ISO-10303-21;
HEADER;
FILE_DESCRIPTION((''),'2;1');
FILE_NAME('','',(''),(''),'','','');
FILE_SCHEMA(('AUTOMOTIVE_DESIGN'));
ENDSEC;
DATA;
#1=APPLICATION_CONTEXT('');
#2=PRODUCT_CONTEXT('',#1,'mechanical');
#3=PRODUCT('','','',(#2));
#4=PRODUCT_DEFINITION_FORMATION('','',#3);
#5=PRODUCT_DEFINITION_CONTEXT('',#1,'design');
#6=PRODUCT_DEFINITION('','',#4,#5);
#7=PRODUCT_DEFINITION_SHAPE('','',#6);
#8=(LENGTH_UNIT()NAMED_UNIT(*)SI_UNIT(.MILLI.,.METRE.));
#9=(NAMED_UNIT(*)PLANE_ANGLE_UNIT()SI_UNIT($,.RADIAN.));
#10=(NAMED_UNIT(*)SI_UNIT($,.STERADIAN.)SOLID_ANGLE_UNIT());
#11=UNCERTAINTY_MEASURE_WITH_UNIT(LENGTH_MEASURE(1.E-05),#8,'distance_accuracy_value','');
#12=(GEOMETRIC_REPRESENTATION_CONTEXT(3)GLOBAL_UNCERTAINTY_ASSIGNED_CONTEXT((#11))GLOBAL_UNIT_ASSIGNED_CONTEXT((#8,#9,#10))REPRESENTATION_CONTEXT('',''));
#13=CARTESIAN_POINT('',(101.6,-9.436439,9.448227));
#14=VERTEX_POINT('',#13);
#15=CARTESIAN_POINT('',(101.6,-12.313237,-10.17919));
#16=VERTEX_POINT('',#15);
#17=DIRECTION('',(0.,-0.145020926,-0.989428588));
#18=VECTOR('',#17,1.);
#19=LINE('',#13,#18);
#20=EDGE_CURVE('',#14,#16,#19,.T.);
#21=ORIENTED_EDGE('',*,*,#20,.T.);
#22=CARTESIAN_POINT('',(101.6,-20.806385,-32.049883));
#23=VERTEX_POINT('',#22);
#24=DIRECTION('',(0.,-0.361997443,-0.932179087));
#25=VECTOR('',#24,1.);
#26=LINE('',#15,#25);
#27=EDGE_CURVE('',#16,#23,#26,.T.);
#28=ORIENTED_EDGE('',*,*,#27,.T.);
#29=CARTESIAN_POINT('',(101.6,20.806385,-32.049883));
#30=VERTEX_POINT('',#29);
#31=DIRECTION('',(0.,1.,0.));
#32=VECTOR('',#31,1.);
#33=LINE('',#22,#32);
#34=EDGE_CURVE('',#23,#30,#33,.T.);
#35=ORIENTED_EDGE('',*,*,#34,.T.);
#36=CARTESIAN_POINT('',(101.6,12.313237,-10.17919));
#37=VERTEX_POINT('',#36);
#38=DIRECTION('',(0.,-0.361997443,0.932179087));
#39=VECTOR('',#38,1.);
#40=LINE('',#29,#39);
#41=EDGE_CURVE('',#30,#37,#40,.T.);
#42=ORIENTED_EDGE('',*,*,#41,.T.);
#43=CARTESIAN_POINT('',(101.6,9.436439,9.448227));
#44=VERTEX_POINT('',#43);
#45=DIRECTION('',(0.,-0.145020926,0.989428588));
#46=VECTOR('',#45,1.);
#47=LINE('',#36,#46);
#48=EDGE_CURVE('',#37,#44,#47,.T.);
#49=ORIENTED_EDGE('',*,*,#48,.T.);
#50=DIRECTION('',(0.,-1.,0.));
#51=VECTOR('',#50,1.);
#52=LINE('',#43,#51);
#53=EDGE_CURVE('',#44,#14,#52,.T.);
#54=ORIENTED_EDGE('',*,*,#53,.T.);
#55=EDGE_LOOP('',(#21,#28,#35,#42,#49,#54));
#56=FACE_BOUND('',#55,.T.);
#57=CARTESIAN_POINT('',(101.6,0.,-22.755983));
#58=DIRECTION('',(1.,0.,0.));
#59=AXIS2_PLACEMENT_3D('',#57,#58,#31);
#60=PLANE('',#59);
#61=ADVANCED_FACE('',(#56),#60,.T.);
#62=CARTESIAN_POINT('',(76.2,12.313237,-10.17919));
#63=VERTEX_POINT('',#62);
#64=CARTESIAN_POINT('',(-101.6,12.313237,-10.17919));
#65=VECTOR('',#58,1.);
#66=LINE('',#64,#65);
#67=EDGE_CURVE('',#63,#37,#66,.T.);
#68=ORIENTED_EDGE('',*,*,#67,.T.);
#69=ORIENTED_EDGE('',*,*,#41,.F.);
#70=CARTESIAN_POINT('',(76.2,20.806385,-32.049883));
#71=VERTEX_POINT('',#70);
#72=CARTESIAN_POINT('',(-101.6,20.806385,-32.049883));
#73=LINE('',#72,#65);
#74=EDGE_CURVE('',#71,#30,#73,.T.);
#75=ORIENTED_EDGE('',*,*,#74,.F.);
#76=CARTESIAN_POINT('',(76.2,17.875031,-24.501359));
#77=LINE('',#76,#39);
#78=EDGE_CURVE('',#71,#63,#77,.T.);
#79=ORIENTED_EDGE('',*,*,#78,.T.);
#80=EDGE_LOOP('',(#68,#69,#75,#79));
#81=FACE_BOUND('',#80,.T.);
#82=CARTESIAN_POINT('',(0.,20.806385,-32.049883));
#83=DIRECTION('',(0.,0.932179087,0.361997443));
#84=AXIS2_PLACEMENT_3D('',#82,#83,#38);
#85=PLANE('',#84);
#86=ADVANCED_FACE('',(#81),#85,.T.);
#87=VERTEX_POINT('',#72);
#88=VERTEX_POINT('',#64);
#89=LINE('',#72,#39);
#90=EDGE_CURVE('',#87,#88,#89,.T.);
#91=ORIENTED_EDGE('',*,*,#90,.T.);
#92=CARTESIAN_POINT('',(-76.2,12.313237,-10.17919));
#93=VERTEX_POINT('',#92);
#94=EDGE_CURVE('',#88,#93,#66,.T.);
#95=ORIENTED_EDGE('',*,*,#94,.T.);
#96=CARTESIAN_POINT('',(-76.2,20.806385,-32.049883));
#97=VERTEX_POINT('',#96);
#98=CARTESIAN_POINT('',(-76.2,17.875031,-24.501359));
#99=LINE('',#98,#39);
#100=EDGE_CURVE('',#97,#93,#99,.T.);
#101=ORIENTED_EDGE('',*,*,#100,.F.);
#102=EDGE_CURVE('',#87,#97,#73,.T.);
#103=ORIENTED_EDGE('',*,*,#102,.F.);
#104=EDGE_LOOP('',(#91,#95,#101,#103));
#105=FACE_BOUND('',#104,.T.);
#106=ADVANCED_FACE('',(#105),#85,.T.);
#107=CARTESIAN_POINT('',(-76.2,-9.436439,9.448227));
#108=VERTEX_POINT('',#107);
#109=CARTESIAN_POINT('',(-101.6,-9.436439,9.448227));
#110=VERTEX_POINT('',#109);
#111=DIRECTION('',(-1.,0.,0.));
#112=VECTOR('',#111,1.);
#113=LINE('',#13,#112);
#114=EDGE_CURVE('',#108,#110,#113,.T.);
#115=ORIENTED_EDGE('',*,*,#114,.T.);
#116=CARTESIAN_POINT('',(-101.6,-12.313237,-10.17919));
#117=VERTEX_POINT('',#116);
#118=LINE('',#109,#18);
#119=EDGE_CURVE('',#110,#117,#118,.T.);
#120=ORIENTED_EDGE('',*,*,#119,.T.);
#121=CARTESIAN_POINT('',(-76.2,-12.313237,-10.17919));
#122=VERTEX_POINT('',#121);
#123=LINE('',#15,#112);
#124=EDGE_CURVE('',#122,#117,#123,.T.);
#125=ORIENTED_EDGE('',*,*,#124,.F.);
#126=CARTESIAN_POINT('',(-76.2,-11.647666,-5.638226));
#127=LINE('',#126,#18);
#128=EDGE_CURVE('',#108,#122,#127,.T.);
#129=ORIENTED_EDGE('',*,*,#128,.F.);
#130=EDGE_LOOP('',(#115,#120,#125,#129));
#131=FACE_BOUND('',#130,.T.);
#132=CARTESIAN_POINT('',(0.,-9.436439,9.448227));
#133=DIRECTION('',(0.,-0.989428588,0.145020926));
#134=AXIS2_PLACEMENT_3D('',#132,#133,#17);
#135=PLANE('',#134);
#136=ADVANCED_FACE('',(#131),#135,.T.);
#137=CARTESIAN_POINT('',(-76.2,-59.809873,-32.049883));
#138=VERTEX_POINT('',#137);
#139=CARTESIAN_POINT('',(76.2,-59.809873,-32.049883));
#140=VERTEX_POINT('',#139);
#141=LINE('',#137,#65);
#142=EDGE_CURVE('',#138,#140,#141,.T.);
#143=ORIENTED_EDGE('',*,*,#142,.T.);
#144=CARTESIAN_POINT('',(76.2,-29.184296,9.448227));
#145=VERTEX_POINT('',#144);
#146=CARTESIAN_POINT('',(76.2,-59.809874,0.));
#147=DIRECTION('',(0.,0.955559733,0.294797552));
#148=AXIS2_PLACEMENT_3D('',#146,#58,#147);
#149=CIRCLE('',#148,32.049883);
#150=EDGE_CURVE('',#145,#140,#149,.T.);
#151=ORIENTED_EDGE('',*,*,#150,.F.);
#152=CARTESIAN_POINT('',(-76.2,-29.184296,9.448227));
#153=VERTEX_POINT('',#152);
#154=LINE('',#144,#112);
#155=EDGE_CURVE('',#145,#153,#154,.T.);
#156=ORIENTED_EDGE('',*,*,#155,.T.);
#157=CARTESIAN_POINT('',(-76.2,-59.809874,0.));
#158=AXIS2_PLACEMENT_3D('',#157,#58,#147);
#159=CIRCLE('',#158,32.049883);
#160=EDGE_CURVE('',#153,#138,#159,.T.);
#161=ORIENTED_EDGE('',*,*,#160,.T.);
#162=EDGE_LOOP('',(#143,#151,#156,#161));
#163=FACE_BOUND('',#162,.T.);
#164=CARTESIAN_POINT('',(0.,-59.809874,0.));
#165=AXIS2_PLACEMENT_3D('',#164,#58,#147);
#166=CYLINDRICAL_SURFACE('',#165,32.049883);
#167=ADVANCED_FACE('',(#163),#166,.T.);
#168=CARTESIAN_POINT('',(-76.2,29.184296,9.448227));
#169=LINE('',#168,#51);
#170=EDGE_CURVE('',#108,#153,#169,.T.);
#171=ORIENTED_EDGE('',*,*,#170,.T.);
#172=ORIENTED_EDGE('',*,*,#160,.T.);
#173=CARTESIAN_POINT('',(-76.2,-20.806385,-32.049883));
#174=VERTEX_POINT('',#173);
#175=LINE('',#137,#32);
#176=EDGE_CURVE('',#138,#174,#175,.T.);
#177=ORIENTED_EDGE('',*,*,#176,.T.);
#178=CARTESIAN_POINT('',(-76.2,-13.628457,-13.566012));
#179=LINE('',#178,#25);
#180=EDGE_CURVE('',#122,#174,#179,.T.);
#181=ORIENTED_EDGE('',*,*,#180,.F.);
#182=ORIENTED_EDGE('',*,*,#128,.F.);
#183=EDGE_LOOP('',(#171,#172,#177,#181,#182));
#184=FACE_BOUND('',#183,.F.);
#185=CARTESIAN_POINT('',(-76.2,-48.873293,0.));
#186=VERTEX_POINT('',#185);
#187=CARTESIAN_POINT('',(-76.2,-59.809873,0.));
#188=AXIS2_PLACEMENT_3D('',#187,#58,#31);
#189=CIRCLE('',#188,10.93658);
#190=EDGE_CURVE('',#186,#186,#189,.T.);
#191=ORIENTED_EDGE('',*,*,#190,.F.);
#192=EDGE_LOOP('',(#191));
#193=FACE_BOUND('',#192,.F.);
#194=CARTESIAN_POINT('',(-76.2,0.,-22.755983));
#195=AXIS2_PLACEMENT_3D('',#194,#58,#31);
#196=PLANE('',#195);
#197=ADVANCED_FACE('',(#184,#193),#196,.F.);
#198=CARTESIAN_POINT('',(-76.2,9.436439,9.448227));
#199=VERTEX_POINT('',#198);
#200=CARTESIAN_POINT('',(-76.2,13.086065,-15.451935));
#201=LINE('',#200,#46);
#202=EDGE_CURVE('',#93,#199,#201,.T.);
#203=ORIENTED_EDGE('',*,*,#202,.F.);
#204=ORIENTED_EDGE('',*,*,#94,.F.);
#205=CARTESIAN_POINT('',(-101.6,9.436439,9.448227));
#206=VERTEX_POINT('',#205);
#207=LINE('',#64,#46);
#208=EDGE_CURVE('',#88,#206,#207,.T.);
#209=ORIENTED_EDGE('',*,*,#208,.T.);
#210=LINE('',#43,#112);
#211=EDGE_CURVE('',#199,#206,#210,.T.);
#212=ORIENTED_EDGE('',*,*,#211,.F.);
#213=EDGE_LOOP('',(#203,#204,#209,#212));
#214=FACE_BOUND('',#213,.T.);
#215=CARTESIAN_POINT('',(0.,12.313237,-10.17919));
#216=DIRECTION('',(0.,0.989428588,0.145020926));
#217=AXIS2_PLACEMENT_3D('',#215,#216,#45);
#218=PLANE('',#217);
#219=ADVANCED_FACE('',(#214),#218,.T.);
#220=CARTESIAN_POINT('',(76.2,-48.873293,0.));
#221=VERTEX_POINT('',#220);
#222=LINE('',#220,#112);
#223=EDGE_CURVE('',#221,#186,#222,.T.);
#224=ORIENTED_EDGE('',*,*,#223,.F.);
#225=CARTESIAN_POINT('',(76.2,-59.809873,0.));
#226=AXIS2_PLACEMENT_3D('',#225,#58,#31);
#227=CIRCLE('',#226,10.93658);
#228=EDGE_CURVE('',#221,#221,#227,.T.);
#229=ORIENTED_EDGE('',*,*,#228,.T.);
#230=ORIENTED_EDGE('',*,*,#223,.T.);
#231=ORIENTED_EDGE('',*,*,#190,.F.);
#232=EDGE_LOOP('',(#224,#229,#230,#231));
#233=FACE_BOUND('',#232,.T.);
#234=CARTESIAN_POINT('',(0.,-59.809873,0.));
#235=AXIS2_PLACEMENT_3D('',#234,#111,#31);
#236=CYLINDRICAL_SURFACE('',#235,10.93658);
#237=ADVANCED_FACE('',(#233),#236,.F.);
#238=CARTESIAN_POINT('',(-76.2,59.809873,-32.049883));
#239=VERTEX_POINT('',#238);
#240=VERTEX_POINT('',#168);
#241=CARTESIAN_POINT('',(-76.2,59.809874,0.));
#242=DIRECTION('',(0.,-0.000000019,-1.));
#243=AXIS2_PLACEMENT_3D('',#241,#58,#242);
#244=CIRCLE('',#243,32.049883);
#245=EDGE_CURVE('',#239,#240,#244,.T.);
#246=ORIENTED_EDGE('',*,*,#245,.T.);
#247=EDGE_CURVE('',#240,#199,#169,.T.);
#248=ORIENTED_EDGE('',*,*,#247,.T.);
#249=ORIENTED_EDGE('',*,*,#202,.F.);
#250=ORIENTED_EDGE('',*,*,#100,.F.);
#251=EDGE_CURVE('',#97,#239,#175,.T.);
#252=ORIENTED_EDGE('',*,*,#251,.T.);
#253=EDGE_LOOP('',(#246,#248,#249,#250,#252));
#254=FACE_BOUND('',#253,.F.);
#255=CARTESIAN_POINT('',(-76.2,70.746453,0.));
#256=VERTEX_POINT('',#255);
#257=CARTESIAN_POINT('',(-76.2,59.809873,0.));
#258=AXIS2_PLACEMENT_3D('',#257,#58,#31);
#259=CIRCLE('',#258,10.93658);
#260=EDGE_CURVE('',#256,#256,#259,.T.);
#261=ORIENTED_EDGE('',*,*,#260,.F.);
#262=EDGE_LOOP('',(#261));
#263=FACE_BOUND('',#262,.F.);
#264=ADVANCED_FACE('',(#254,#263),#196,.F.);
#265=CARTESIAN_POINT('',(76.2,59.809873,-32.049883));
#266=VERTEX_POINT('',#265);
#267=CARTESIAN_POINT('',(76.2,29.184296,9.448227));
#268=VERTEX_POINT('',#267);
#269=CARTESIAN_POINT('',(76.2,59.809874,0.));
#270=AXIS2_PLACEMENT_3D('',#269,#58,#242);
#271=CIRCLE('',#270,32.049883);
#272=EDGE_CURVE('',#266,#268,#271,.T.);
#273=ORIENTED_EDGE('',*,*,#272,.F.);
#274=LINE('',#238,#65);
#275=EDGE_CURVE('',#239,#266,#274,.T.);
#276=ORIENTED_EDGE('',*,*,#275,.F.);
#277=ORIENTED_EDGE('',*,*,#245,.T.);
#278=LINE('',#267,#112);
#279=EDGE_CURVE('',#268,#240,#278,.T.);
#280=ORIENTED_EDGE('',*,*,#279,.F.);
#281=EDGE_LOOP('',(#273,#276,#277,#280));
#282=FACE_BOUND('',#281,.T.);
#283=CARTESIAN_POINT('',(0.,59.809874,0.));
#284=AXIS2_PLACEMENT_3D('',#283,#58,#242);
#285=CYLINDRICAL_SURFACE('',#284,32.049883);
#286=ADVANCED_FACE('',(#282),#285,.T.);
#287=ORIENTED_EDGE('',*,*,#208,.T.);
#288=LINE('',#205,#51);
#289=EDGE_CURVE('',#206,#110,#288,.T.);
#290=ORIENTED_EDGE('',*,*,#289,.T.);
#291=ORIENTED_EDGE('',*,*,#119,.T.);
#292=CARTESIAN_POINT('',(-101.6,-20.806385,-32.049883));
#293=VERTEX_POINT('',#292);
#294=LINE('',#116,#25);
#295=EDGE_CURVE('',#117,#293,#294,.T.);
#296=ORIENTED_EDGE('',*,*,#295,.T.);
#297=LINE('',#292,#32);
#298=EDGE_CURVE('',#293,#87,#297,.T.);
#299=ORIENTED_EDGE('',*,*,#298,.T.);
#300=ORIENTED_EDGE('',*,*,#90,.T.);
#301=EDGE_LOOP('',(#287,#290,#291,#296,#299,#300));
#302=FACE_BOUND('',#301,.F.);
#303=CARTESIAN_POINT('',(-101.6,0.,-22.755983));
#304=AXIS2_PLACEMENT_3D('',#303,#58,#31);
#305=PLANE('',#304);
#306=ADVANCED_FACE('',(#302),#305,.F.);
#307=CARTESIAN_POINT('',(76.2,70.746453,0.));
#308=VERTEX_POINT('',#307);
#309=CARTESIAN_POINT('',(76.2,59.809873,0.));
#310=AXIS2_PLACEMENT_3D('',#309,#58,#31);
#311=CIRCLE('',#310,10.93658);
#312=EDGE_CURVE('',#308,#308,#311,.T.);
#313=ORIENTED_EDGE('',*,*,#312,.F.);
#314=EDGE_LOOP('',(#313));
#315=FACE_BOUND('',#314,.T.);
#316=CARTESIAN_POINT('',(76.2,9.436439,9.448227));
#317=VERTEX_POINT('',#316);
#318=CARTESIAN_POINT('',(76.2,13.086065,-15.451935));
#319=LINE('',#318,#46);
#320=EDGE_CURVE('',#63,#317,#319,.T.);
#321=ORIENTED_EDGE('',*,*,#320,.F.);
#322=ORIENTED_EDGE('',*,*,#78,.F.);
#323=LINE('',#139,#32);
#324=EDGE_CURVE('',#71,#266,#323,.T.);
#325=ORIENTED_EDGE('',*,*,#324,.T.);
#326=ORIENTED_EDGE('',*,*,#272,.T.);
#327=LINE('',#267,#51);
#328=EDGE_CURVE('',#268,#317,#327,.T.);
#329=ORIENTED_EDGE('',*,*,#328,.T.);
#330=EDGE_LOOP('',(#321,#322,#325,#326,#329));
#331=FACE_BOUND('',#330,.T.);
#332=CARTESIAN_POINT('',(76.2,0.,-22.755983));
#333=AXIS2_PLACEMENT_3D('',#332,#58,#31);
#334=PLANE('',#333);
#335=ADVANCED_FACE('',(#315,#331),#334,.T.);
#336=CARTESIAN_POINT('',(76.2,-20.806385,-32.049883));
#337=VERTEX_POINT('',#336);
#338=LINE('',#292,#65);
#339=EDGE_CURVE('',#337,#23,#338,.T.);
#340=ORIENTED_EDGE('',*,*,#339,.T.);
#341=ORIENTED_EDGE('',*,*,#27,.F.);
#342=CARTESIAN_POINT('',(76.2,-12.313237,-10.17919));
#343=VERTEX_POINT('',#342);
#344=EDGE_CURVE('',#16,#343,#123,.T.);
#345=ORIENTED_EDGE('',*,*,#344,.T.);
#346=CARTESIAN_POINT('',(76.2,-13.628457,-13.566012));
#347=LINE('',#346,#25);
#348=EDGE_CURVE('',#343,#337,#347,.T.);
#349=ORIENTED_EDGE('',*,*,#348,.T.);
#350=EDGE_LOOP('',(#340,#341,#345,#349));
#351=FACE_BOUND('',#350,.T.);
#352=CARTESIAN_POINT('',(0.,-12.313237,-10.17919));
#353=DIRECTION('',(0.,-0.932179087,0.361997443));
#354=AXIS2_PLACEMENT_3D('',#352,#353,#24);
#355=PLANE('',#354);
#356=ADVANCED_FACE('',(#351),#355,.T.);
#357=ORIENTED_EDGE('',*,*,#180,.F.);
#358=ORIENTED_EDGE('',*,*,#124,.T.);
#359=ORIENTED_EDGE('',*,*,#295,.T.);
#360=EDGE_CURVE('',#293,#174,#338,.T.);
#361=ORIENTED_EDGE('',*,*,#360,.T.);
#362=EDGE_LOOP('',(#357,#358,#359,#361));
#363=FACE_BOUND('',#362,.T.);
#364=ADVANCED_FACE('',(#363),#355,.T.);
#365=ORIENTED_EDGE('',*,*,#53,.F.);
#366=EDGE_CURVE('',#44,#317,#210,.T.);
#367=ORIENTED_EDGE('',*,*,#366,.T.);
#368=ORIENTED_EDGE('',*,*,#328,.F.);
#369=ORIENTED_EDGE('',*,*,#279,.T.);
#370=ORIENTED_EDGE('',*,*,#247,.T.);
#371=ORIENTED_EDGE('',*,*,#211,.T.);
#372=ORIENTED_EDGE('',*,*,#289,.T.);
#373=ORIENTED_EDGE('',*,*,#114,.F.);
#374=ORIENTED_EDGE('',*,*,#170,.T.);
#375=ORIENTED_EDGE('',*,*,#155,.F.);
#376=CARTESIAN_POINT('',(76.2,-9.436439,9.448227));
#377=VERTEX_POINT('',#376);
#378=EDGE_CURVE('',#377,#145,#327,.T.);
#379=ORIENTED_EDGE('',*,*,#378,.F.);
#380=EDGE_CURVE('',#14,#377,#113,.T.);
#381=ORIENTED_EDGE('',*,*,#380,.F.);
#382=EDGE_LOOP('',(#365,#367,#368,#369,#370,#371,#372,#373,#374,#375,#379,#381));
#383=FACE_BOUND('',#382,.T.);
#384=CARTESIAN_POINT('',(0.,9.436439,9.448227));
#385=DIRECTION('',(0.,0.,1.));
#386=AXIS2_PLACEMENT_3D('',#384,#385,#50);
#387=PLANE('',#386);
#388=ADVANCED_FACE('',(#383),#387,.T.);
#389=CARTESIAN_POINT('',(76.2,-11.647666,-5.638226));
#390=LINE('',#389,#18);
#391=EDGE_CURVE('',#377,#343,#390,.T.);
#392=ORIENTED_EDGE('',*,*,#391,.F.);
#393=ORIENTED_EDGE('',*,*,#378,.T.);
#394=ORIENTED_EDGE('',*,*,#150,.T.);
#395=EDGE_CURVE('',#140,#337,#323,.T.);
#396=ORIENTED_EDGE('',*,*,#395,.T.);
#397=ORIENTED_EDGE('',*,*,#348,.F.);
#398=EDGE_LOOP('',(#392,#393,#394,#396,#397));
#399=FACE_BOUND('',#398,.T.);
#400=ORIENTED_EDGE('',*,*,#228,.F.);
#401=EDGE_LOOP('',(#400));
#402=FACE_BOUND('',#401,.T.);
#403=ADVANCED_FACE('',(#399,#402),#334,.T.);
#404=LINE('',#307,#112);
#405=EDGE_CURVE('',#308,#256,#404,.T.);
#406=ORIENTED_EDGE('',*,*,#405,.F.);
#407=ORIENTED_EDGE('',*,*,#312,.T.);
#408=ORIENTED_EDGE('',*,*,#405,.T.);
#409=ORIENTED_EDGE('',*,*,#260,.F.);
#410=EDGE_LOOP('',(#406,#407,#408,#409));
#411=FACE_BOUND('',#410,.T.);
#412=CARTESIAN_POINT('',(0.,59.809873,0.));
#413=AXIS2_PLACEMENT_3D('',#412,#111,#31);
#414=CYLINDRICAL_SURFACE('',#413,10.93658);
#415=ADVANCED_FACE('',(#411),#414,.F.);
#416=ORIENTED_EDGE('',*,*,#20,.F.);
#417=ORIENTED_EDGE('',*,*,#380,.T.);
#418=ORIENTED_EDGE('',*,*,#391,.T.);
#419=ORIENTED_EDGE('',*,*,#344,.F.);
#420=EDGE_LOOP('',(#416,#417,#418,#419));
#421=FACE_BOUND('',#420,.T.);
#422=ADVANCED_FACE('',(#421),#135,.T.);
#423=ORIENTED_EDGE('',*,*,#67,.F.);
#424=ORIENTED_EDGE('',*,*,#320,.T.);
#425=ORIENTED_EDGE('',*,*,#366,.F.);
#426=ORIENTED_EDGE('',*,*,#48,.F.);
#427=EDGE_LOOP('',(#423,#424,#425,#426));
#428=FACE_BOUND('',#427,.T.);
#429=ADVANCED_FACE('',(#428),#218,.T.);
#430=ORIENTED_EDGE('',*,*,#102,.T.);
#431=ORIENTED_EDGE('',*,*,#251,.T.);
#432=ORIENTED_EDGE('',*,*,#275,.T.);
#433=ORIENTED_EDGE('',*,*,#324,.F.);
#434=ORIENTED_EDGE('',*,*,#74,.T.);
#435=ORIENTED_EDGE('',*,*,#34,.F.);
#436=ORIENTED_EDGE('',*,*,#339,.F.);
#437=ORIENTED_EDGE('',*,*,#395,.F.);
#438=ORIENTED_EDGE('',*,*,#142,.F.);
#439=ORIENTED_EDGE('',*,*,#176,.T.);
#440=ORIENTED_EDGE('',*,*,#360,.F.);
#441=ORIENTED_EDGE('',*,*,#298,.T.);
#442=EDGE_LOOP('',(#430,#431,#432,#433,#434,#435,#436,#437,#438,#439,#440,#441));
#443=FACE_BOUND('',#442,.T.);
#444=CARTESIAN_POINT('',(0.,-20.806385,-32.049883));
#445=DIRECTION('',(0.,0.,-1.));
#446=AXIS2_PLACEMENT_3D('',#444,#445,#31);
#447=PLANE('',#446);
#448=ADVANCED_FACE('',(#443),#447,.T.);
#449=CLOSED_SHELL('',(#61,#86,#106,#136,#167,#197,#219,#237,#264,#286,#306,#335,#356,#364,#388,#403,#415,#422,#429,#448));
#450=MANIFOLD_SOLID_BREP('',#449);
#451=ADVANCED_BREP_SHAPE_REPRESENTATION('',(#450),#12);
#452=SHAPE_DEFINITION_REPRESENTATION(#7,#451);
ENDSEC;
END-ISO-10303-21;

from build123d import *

# Parameters (mm, degrees)
F0_R     = 10.93658
F1_DEPTH = 76.2
F2_DEPTH = 101.6


with BuildPart() as f1:
    # F0 (on Right) → F1 (new body, symmetric)
    with BuildSketch(Plane.YZ):
        Polygon((-12.313237, -10.17919), (-20.806385, -32.049883), (20.806385, -32.049883), (12.313237, -10.17919), align=None)
        with BuildLine():
            ThreePointArc((-29.184296, 9.448227), (-85.59756, 19.031296), (-59.809873, -32.049883))
            Line((-59.809873, -32.049883), (-20.806385, -32.049883))
            Line((-20.806385, -32.049883), (-12.313237, -10.17919))
            Line((-12.313237, -10.17919), (-9.436439, 9.448227))
            Line((-9.436439, 9.448227), (-29.184296, 9.448227))
        make_face()
        with Locations((-59.809873, 0)):
            Circle(F0_R, mode=Mode.SUBTRACT)
        Polygon((-9.436439, 9.448227), (-12.313237, -10.17919), (12.313237, -10.17919), (9.436439, 9.448227), align=None)
        with BuildLine():
            Line((12.313237, -10.17919), (20.806385, -32.049883))
            Line((20.806385, -32.049883), (59.809873, -32.049883))
            ThreePointArc((59.809873, -32.049883), (85.59756, 19.031296), (29.184296, 9.448227))
            Line((29.184296, 9.448227), (9.436439, 9.448227))
            Line((9.436439, 9.448227), (12.313237, -10.17919))
        make_face()
        with Locations((59.809873, 0)):
            Circle(F0_R, mode=Mode.SUBTRACT)
    extrude(amount=F1_DEPTH, both=True)

    # F0 (on Right) → F2 (join, symmetric)
    with BuildSketch(Plane.YZ):
        Polygon((-12.313237, -10.17919), (-20.806385, -32.049883), (20.806385, -32.049883), (12.313237, -10.17919), align=None)
        Polygon((-9.436439, 9.448227), (-12.313237, -10.17919), (12.313237, -10.17919), (9.436439, 9.448227), align=None)
    extrude(amount=F2_DEPTH, both=True)


solid = f1.part
